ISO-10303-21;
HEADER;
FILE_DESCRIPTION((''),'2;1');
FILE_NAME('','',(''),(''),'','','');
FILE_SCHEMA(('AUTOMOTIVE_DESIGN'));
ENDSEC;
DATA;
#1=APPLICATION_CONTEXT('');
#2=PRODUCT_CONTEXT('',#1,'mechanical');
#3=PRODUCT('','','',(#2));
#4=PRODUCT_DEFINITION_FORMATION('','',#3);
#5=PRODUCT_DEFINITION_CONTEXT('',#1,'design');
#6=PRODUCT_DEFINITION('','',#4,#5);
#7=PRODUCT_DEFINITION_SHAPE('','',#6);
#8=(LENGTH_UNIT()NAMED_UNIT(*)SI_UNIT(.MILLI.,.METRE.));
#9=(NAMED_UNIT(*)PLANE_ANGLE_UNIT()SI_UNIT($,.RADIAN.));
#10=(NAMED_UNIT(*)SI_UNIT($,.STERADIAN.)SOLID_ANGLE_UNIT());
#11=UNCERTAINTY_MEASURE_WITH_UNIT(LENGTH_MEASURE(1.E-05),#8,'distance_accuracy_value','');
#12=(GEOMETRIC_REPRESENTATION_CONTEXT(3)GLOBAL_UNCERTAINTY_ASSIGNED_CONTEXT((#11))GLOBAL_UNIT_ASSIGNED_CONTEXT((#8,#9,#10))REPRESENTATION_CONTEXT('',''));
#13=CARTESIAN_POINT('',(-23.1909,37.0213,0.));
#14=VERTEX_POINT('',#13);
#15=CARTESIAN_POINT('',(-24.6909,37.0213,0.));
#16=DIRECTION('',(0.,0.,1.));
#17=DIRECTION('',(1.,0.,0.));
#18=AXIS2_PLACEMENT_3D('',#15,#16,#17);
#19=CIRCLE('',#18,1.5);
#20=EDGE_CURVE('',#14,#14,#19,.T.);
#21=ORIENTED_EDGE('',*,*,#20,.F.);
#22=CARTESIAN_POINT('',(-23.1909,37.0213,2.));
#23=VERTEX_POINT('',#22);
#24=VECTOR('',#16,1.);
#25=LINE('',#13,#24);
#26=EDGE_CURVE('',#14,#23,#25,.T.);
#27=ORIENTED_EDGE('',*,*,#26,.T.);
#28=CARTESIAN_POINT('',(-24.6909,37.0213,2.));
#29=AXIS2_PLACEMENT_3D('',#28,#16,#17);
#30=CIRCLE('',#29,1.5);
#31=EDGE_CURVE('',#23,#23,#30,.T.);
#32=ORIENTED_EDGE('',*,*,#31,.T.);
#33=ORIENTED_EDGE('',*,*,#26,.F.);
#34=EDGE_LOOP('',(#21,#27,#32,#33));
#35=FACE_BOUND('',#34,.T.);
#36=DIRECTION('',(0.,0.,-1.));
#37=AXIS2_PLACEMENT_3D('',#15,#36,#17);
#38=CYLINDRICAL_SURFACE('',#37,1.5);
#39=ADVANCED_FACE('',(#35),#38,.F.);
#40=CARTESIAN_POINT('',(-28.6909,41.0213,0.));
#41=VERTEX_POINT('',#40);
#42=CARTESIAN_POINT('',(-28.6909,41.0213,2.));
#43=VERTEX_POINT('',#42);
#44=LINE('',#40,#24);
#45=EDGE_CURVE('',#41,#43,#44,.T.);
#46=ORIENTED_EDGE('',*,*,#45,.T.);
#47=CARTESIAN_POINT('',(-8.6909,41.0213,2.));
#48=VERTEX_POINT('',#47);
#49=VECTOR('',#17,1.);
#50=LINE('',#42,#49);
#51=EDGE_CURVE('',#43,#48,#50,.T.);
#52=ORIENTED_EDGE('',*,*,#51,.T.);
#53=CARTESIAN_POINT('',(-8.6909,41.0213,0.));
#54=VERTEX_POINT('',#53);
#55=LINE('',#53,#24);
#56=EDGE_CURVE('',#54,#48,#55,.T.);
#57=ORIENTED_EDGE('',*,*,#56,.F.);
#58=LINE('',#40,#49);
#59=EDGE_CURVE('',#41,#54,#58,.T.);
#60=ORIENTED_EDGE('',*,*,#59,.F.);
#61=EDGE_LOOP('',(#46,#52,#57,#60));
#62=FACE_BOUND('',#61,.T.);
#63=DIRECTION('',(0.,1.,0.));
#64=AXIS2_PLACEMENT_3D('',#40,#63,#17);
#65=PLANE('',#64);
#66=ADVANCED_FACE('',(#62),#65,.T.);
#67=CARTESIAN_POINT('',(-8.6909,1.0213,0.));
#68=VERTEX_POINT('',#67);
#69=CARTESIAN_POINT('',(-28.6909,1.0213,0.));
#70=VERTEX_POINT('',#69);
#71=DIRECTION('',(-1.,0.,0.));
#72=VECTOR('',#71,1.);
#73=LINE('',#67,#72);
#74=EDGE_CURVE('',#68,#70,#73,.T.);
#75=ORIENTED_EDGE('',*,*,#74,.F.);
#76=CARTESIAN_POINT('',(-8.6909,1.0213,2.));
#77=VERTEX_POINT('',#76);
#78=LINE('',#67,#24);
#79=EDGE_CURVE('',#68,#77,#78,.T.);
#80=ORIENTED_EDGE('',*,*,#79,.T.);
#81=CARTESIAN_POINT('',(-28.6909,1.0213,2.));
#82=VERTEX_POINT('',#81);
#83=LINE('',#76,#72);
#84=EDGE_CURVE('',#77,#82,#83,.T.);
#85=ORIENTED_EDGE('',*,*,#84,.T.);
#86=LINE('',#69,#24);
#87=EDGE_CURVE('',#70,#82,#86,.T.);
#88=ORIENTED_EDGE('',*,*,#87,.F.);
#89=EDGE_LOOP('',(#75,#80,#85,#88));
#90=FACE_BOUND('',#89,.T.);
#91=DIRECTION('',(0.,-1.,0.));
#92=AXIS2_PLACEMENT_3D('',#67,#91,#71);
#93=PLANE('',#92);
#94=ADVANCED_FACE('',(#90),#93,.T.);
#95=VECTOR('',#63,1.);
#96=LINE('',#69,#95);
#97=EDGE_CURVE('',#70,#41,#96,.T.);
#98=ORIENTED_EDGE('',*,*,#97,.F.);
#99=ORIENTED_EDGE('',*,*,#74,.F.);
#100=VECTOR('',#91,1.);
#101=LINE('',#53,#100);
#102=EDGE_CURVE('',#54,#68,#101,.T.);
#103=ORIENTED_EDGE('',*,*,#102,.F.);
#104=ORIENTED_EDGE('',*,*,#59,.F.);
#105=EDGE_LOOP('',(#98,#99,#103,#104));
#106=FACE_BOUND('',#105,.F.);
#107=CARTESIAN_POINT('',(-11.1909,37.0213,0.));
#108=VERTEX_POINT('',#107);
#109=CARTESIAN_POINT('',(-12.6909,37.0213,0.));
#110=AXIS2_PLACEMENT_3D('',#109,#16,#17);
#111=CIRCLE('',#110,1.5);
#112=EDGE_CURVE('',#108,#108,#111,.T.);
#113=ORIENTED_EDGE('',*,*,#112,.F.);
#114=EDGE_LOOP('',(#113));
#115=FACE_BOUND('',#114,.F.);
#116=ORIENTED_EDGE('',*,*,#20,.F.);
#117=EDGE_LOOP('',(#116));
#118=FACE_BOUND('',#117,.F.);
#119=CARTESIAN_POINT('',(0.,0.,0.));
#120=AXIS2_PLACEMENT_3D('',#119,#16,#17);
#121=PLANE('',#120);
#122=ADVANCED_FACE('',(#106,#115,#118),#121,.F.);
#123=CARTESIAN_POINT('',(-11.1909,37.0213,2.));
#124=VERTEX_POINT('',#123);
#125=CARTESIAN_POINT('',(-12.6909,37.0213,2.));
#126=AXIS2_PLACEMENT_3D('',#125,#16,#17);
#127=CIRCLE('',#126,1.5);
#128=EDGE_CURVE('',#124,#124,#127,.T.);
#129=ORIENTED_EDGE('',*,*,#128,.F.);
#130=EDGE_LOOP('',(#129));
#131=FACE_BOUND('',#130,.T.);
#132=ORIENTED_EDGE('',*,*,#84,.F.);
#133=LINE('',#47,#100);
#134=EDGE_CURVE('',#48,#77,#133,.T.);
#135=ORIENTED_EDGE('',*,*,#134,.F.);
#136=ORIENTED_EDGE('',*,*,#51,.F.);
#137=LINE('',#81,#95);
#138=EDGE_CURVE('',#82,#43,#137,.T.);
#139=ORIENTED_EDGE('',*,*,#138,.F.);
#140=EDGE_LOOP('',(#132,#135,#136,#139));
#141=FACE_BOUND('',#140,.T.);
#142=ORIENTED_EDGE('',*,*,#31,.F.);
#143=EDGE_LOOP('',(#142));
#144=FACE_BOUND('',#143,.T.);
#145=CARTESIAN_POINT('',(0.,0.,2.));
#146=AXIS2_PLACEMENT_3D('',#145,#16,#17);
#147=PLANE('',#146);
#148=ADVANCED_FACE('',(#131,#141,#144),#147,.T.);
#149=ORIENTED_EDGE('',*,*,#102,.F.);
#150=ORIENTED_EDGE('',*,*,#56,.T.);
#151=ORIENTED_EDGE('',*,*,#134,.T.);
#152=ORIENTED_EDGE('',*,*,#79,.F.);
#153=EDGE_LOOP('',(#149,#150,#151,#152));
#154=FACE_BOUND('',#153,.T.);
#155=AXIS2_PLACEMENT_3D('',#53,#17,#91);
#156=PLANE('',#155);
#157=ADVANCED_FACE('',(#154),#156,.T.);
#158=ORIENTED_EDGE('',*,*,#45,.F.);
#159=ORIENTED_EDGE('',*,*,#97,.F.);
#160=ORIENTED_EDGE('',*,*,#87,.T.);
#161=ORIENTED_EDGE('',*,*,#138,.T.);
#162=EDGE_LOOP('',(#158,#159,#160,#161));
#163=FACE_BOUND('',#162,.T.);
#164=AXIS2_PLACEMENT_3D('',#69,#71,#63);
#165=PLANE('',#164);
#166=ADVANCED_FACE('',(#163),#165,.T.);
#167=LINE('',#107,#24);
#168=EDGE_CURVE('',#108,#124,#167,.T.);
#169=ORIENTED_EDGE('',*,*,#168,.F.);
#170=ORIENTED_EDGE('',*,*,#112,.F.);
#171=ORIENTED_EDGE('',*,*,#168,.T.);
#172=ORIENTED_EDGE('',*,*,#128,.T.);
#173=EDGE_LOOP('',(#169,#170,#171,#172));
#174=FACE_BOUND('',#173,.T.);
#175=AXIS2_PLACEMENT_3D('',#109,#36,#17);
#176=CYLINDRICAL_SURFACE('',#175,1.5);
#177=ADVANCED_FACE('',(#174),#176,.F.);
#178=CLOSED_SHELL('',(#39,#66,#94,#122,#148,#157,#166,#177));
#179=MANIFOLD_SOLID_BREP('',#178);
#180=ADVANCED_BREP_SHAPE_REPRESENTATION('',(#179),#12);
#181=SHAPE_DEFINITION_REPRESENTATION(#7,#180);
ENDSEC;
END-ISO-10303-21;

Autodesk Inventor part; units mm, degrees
ref_plane "YZ Plane" through (0, 0, 0) normal (1, 0, 0) x (0, 1, 0)
ref_plane "XZ Plane" through (0, 0, 0) normal (0, 1, 0) x (-1, 0, 0)
ref_plane "XY Plane" through (0, 0, 0) normal (0, 0, 1) x (1, 0, 0)
sketch "Sketch1" plane through (0, 0, 0) normal (0, 0, 1) x (1, 0, 0)
  line L0 (-28.6909, 41.0213) -> (-8.6909, 41.0213)
  line L1 (-8.6909, 41.0213) -> (-8.6909, 1.0213)
  line L2 (-8.6909, 1.0213) -> (-28.6909, 1.0213)
  line L3 (-28.6909, 1.0213) -> (-28.6909, 41.0213)
  circle A0 centre (-24.6909, 37.0213) radius 1.5
  circle A1 centre (-12.6909, 37.0213) radius 1.5
  dimension "d0" = 20
  dimension "d1" = 40
  dimension "d4" = 3
  dimension "d5" = 3
  dimension "d7" = 4
  dimension "d8" = 4
  dimension "d9" = 4
  dimension "d10" = 4
extrude "Extrusion1" add sketch "Sketch1" along normal blind 2
equation "\"d4\" = d5"
equation "\"d7\" = d9"
equation "\"d8\" = d10"
properties part number "Placa PCB 40x20"
